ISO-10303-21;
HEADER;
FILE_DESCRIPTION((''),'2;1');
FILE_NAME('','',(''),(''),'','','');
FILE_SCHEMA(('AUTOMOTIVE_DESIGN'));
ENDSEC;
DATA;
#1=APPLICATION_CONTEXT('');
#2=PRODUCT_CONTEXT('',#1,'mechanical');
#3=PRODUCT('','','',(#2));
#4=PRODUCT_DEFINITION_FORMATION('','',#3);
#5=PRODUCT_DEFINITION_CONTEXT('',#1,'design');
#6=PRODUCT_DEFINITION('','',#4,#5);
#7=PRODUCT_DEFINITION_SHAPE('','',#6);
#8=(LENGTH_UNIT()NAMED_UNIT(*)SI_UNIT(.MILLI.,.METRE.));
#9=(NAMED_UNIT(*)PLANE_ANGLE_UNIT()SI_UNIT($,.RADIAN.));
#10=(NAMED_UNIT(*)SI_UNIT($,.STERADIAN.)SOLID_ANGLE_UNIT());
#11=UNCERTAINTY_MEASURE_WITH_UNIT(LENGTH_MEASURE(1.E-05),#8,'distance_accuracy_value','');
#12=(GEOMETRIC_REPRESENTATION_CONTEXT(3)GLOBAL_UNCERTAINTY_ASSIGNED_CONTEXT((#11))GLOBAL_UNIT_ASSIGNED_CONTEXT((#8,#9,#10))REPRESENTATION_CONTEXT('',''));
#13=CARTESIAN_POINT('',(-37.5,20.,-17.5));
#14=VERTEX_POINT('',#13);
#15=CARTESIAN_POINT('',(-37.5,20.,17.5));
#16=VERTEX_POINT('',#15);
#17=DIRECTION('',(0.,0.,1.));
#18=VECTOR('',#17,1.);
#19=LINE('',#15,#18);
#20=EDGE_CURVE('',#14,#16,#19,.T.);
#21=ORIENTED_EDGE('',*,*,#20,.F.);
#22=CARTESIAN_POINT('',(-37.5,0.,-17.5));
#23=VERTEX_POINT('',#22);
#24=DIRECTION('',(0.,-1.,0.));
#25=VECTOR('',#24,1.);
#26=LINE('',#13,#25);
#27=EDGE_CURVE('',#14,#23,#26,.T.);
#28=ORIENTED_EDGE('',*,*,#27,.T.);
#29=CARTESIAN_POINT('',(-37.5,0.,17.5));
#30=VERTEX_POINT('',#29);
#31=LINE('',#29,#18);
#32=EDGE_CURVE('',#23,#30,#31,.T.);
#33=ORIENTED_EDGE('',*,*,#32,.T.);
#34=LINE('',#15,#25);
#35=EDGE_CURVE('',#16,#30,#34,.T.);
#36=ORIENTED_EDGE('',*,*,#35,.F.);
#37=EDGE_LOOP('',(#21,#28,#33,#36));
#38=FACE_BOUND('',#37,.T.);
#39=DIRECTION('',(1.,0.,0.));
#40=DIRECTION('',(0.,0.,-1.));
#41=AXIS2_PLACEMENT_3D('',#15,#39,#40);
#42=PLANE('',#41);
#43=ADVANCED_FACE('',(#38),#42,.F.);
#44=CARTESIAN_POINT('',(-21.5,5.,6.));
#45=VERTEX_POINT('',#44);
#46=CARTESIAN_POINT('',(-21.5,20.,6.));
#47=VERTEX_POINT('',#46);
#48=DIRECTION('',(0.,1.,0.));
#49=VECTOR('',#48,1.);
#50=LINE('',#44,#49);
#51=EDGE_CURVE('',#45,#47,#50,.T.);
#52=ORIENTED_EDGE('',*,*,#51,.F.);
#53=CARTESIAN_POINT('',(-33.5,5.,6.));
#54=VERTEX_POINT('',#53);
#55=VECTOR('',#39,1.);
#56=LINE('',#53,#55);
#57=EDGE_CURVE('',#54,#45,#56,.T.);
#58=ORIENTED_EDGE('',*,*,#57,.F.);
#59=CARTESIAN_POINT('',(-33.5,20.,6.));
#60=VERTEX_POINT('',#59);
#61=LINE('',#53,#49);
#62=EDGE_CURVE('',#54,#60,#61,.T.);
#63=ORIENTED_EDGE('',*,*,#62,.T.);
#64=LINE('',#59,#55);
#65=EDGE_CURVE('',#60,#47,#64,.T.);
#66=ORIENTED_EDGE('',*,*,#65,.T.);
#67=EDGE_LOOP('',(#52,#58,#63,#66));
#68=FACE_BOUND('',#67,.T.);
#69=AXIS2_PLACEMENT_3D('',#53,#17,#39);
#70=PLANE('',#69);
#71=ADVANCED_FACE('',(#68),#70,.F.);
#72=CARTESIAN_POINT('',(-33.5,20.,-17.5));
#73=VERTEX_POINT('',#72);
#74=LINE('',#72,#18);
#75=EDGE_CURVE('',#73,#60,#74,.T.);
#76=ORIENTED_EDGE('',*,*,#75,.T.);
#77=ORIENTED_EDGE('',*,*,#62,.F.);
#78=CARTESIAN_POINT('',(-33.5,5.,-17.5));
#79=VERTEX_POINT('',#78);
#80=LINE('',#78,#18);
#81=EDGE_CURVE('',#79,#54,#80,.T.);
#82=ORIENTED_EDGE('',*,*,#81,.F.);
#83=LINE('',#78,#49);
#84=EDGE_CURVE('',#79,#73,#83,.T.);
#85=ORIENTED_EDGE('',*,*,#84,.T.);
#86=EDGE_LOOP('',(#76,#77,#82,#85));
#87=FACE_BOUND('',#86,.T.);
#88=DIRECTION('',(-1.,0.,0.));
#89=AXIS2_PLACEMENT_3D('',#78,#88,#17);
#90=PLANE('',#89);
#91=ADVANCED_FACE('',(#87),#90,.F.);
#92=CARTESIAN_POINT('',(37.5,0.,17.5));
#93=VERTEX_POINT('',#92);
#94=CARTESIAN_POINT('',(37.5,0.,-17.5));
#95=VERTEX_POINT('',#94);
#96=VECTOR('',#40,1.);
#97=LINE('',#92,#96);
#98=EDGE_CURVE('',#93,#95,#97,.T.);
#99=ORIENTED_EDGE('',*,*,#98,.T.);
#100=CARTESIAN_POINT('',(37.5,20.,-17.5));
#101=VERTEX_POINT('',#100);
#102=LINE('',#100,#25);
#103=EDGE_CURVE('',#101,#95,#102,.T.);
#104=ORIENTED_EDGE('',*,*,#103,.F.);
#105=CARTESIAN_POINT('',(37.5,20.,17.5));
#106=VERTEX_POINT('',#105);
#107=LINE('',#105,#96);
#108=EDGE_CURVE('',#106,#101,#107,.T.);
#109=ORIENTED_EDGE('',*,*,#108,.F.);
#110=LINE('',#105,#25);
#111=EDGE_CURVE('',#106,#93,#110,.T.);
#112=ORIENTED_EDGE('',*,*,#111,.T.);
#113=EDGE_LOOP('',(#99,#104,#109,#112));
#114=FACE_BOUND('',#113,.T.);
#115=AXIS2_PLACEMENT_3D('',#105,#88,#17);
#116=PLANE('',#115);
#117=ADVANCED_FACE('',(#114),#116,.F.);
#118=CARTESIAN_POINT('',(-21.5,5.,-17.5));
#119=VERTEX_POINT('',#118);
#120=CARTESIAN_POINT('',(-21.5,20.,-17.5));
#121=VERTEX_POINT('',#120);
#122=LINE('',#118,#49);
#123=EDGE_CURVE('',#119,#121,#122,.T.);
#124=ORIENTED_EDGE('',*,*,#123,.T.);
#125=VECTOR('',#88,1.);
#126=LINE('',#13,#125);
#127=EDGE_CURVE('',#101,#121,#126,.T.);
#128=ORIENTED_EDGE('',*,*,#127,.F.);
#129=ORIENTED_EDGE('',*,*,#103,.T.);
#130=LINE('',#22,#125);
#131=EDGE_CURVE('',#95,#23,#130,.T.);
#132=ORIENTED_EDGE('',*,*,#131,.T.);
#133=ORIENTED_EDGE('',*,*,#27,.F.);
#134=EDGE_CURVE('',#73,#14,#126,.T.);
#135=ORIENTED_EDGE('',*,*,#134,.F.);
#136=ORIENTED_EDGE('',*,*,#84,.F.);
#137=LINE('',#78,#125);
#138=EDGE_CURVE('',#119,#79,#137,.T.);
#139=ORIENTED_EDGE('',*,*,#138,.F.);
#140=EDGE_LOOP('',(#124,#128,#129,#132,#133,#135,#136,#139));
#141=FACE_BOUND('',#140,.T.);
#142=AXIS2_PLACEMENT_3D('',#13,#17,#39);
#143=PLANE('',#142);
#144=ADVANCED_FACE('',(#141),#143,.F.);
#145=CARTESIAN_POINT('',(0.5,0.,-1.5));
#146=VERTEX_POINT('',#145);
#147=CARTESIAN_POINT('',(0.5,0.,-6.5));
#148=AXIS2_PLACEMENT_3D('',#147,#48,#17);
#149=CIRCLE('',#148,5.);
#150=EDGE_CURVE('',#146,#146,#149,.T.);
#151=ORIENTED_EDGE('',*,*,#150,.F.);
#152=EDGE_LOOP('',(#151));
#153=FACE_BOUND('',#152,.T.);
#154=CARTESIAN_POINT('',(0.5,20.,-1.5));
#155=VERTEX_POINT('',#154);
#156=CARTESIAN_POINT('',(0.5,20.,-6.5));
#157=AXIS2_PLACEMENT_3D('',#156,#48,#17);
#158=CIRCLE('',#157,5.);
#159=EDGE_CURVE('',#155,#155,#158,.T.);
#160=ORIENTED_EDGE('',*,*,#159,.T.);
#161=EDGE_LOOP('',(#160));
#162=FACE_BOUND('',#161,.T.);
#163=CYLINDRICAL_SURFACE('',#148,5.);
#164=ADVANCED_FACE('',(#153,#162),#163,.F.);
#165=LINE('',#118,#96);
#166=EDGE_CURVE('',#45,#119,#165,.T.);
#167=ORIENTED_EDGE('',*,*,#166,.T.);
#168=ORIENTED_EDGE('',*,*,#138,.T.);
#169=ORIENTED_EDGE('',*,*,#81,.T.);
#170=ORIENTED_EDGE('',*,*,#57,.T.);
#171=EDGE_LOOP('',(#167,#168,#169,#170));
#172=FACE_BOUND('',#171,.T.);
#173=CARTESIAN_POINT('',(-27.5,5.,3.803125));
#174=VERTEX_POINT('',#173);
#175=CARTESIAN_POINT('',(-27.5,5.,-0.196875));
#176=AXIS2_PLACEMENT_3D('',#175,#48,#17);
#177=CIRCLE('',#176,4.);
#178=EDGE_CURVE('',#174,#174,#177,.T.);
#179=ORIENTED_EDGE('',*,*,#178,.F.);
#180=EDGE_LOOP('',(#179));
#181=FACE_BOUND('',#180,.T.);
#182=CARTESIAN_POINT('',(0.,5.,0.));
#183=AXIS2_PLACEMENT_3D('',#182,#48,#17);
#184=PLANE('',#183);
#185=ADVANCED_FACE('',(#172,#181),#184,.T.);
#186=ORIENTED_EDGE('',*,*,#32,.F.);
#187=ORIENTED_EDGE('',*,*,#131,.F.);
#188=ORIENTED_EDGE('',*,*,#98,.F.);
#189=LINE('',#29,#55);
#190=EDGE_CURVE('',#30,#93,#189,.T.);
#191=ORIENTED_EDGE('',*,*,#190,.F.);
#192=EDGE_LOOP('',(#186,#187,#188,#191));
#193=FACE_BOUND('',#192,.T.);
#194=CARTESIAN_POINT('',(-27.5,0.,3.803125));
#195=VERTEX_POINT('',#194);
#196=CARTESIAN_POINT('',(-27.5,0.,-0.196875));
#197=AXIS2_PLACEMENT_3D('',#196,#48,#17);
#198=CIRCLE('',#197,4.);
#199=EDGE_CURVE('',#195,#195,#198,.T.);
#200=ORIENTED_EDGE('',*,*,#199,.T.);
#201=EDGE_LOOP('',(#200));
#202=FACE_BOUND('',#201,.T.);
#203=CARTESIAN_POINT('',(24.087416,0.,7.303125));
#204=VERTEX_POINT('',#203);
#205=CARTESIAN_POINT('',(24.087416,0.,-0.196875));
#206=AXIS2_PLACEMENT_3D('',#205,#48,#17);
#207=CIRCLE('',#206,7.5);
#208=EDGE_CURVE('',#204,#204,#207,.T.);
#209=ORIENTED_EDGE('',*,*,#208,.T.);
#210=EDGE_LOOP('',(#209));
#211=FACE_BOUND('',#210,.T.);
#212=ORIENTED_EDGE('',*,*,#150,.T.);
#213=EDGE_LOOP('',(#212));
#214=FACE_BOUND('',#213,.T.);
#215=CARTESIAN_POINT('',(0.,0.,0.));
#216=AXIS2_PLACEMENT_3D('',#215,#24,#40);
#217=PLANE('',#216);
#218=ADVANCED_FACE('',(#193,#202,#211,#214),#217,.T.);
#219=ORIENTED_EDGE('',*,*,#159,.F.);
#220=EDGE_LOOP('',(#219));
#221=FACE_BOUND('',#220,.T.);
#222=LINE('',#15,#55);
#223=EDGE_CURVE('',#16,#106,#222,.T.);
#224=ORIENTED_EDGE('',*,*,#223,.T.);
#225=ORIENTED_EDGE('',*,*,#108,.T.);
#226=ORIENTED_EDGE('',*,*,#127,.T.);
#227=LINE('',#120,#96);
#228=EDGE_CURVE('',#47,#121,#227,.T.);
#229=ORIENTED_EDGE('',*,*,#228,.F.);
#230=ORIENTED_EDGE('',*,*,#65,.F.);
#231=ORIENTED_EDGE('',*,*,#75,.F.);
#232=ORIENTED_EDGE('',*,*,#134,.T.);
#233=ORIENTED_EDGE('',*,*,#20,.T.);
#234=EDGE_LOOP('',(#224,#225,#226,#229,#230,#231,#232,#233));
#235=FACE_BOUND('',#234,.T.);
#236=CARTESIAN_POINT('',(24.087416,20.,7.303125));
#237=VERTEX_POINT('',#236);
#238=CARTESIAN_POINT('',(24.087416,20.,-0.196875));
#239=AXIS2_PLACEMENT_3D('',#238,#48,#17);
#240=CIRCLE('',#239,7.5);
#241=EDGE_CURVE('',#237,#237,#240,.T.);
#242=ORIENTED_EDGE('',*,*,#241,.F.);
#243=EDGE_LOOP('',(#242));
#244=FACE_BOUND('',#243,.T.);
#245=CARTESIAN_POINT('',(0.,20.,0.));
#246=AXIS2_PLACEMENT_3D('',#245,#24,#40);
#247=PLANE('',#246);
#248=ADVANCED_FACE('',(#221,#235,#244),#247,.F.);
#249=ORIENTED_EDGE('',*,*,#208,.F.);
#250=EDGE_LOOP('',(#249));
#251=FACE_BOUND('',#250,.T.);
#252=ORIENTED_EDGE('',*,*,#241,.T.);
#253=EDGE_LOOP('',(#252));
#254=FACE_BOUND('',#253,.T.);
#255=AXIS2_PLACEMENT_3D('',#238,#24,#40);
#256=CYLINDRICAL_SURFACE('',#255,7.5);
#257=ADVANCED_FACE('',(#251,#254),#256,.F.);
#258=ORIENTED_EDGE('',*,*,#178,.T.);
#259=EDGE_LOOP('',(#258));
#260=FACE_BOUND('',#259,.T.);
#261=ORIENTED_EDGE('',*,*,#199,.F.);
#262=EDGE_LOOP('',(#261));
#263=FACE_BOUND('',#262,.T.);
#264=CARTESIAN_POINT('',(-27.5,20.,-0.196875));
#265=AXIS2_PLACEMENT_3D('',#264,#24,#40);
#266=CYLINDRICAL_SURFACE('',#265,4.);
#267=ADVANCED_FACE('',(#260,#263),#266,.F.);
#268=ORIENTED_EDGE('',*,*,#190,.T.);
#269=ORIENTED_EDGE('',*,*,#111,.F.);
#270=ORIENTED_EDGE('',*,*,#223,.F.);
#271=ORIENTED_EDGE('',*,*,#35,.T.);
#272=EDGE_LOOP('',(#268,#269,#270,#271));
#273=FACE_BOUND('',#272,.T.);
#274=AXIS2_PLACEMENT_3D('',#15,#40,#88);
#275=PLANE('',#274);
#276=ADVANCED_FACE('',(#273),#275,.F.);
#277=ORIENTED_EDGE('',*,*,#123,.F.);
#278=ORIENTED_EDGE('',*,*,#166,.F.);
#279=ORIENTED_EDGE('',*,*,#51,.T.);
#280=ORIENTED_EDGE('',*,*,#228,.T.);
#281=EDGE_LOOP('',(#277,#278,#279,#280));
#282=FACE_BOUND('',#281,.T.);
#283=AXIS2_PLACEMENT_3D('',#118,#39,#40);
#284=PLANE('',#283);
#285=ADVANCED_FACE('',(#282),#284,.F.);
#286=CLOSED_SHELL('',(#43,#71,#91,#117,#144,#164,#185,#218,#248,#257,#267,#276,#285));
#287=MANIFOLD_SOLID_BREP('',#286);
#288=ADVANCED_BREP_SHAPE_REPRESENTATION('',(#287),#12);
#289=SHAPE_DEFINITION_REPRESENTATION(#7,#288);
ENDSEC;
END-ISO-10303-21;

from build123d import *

# Parameters (mm, degrees)
SKETCH1_W           = 75
SKETCH1_H           = 35
SKETCH1_R           = 7.5
SKETCH1_R_2         = 4
BOSS_EXTRUDE1_DEPTH = 20
SKETCH2_W           = 12
SKETCH2_H           = 23.5
CUT_EXTRUDE1_DEPTH  = 15
SKETCH3_R           = 5
CUT_EXTRUDE2_DEPTH  = 46.961940777


with BuildPart() as part:
    # Sketch1 → Boss-Extrude1 (new body)
    with BuildSketch(Plane(origin=(0, 0, 0), x_dir=(1, 0, 0), z_dir=(0, 1, 0))):
        Rectangle(SKETCH1_W, SKETCH1_H)
        with Locations(Location((24.087416082, 0.196874766, 0), (0, 0, 270))):
            Circle(SKETCH1_R, mode=Mode.SUBTRACT)
        with Locations(Location((-27.5, 0.196874766, 0), (0, 0, 270))):
            Circle(SKETCH1_R_2, mode=Mode.SUBTRACT)
    extrude(amount=BOSS_EXTRUDE1_DEPTH)

    # Sketch2 → Cut-Extrude1 (cut)
    with BuildSketch(Plane(origin=(0, 20, 0), x_dir=(1, 0, 0), z_dir=(0, 1, 0))):
        with Locations((-27.5, 5.75)):
            Rectangle(SKETCH2_W, SKETCH2_H)
    extrude(amount=-CUT_EXTRUDE1_DEPTH, mode=Mode.SUBTRACT)

    # Sketch3 → Cut-Extrude2 (cut, through all)
    with BuildSketch(Plane(origin=(0, 20, 0), x_dir=(1, 0, 0), z_dir=(0, 1, 0))):
        with Locations(Location((0.5, 6.5, 0), (0, 0, 270))):
            Circle(SKETCH3_R)
    extrude(amount=-CUT_EXTRUDE2_DEPTH, mode=Mode.SUBTRACT)


solid = part.part
